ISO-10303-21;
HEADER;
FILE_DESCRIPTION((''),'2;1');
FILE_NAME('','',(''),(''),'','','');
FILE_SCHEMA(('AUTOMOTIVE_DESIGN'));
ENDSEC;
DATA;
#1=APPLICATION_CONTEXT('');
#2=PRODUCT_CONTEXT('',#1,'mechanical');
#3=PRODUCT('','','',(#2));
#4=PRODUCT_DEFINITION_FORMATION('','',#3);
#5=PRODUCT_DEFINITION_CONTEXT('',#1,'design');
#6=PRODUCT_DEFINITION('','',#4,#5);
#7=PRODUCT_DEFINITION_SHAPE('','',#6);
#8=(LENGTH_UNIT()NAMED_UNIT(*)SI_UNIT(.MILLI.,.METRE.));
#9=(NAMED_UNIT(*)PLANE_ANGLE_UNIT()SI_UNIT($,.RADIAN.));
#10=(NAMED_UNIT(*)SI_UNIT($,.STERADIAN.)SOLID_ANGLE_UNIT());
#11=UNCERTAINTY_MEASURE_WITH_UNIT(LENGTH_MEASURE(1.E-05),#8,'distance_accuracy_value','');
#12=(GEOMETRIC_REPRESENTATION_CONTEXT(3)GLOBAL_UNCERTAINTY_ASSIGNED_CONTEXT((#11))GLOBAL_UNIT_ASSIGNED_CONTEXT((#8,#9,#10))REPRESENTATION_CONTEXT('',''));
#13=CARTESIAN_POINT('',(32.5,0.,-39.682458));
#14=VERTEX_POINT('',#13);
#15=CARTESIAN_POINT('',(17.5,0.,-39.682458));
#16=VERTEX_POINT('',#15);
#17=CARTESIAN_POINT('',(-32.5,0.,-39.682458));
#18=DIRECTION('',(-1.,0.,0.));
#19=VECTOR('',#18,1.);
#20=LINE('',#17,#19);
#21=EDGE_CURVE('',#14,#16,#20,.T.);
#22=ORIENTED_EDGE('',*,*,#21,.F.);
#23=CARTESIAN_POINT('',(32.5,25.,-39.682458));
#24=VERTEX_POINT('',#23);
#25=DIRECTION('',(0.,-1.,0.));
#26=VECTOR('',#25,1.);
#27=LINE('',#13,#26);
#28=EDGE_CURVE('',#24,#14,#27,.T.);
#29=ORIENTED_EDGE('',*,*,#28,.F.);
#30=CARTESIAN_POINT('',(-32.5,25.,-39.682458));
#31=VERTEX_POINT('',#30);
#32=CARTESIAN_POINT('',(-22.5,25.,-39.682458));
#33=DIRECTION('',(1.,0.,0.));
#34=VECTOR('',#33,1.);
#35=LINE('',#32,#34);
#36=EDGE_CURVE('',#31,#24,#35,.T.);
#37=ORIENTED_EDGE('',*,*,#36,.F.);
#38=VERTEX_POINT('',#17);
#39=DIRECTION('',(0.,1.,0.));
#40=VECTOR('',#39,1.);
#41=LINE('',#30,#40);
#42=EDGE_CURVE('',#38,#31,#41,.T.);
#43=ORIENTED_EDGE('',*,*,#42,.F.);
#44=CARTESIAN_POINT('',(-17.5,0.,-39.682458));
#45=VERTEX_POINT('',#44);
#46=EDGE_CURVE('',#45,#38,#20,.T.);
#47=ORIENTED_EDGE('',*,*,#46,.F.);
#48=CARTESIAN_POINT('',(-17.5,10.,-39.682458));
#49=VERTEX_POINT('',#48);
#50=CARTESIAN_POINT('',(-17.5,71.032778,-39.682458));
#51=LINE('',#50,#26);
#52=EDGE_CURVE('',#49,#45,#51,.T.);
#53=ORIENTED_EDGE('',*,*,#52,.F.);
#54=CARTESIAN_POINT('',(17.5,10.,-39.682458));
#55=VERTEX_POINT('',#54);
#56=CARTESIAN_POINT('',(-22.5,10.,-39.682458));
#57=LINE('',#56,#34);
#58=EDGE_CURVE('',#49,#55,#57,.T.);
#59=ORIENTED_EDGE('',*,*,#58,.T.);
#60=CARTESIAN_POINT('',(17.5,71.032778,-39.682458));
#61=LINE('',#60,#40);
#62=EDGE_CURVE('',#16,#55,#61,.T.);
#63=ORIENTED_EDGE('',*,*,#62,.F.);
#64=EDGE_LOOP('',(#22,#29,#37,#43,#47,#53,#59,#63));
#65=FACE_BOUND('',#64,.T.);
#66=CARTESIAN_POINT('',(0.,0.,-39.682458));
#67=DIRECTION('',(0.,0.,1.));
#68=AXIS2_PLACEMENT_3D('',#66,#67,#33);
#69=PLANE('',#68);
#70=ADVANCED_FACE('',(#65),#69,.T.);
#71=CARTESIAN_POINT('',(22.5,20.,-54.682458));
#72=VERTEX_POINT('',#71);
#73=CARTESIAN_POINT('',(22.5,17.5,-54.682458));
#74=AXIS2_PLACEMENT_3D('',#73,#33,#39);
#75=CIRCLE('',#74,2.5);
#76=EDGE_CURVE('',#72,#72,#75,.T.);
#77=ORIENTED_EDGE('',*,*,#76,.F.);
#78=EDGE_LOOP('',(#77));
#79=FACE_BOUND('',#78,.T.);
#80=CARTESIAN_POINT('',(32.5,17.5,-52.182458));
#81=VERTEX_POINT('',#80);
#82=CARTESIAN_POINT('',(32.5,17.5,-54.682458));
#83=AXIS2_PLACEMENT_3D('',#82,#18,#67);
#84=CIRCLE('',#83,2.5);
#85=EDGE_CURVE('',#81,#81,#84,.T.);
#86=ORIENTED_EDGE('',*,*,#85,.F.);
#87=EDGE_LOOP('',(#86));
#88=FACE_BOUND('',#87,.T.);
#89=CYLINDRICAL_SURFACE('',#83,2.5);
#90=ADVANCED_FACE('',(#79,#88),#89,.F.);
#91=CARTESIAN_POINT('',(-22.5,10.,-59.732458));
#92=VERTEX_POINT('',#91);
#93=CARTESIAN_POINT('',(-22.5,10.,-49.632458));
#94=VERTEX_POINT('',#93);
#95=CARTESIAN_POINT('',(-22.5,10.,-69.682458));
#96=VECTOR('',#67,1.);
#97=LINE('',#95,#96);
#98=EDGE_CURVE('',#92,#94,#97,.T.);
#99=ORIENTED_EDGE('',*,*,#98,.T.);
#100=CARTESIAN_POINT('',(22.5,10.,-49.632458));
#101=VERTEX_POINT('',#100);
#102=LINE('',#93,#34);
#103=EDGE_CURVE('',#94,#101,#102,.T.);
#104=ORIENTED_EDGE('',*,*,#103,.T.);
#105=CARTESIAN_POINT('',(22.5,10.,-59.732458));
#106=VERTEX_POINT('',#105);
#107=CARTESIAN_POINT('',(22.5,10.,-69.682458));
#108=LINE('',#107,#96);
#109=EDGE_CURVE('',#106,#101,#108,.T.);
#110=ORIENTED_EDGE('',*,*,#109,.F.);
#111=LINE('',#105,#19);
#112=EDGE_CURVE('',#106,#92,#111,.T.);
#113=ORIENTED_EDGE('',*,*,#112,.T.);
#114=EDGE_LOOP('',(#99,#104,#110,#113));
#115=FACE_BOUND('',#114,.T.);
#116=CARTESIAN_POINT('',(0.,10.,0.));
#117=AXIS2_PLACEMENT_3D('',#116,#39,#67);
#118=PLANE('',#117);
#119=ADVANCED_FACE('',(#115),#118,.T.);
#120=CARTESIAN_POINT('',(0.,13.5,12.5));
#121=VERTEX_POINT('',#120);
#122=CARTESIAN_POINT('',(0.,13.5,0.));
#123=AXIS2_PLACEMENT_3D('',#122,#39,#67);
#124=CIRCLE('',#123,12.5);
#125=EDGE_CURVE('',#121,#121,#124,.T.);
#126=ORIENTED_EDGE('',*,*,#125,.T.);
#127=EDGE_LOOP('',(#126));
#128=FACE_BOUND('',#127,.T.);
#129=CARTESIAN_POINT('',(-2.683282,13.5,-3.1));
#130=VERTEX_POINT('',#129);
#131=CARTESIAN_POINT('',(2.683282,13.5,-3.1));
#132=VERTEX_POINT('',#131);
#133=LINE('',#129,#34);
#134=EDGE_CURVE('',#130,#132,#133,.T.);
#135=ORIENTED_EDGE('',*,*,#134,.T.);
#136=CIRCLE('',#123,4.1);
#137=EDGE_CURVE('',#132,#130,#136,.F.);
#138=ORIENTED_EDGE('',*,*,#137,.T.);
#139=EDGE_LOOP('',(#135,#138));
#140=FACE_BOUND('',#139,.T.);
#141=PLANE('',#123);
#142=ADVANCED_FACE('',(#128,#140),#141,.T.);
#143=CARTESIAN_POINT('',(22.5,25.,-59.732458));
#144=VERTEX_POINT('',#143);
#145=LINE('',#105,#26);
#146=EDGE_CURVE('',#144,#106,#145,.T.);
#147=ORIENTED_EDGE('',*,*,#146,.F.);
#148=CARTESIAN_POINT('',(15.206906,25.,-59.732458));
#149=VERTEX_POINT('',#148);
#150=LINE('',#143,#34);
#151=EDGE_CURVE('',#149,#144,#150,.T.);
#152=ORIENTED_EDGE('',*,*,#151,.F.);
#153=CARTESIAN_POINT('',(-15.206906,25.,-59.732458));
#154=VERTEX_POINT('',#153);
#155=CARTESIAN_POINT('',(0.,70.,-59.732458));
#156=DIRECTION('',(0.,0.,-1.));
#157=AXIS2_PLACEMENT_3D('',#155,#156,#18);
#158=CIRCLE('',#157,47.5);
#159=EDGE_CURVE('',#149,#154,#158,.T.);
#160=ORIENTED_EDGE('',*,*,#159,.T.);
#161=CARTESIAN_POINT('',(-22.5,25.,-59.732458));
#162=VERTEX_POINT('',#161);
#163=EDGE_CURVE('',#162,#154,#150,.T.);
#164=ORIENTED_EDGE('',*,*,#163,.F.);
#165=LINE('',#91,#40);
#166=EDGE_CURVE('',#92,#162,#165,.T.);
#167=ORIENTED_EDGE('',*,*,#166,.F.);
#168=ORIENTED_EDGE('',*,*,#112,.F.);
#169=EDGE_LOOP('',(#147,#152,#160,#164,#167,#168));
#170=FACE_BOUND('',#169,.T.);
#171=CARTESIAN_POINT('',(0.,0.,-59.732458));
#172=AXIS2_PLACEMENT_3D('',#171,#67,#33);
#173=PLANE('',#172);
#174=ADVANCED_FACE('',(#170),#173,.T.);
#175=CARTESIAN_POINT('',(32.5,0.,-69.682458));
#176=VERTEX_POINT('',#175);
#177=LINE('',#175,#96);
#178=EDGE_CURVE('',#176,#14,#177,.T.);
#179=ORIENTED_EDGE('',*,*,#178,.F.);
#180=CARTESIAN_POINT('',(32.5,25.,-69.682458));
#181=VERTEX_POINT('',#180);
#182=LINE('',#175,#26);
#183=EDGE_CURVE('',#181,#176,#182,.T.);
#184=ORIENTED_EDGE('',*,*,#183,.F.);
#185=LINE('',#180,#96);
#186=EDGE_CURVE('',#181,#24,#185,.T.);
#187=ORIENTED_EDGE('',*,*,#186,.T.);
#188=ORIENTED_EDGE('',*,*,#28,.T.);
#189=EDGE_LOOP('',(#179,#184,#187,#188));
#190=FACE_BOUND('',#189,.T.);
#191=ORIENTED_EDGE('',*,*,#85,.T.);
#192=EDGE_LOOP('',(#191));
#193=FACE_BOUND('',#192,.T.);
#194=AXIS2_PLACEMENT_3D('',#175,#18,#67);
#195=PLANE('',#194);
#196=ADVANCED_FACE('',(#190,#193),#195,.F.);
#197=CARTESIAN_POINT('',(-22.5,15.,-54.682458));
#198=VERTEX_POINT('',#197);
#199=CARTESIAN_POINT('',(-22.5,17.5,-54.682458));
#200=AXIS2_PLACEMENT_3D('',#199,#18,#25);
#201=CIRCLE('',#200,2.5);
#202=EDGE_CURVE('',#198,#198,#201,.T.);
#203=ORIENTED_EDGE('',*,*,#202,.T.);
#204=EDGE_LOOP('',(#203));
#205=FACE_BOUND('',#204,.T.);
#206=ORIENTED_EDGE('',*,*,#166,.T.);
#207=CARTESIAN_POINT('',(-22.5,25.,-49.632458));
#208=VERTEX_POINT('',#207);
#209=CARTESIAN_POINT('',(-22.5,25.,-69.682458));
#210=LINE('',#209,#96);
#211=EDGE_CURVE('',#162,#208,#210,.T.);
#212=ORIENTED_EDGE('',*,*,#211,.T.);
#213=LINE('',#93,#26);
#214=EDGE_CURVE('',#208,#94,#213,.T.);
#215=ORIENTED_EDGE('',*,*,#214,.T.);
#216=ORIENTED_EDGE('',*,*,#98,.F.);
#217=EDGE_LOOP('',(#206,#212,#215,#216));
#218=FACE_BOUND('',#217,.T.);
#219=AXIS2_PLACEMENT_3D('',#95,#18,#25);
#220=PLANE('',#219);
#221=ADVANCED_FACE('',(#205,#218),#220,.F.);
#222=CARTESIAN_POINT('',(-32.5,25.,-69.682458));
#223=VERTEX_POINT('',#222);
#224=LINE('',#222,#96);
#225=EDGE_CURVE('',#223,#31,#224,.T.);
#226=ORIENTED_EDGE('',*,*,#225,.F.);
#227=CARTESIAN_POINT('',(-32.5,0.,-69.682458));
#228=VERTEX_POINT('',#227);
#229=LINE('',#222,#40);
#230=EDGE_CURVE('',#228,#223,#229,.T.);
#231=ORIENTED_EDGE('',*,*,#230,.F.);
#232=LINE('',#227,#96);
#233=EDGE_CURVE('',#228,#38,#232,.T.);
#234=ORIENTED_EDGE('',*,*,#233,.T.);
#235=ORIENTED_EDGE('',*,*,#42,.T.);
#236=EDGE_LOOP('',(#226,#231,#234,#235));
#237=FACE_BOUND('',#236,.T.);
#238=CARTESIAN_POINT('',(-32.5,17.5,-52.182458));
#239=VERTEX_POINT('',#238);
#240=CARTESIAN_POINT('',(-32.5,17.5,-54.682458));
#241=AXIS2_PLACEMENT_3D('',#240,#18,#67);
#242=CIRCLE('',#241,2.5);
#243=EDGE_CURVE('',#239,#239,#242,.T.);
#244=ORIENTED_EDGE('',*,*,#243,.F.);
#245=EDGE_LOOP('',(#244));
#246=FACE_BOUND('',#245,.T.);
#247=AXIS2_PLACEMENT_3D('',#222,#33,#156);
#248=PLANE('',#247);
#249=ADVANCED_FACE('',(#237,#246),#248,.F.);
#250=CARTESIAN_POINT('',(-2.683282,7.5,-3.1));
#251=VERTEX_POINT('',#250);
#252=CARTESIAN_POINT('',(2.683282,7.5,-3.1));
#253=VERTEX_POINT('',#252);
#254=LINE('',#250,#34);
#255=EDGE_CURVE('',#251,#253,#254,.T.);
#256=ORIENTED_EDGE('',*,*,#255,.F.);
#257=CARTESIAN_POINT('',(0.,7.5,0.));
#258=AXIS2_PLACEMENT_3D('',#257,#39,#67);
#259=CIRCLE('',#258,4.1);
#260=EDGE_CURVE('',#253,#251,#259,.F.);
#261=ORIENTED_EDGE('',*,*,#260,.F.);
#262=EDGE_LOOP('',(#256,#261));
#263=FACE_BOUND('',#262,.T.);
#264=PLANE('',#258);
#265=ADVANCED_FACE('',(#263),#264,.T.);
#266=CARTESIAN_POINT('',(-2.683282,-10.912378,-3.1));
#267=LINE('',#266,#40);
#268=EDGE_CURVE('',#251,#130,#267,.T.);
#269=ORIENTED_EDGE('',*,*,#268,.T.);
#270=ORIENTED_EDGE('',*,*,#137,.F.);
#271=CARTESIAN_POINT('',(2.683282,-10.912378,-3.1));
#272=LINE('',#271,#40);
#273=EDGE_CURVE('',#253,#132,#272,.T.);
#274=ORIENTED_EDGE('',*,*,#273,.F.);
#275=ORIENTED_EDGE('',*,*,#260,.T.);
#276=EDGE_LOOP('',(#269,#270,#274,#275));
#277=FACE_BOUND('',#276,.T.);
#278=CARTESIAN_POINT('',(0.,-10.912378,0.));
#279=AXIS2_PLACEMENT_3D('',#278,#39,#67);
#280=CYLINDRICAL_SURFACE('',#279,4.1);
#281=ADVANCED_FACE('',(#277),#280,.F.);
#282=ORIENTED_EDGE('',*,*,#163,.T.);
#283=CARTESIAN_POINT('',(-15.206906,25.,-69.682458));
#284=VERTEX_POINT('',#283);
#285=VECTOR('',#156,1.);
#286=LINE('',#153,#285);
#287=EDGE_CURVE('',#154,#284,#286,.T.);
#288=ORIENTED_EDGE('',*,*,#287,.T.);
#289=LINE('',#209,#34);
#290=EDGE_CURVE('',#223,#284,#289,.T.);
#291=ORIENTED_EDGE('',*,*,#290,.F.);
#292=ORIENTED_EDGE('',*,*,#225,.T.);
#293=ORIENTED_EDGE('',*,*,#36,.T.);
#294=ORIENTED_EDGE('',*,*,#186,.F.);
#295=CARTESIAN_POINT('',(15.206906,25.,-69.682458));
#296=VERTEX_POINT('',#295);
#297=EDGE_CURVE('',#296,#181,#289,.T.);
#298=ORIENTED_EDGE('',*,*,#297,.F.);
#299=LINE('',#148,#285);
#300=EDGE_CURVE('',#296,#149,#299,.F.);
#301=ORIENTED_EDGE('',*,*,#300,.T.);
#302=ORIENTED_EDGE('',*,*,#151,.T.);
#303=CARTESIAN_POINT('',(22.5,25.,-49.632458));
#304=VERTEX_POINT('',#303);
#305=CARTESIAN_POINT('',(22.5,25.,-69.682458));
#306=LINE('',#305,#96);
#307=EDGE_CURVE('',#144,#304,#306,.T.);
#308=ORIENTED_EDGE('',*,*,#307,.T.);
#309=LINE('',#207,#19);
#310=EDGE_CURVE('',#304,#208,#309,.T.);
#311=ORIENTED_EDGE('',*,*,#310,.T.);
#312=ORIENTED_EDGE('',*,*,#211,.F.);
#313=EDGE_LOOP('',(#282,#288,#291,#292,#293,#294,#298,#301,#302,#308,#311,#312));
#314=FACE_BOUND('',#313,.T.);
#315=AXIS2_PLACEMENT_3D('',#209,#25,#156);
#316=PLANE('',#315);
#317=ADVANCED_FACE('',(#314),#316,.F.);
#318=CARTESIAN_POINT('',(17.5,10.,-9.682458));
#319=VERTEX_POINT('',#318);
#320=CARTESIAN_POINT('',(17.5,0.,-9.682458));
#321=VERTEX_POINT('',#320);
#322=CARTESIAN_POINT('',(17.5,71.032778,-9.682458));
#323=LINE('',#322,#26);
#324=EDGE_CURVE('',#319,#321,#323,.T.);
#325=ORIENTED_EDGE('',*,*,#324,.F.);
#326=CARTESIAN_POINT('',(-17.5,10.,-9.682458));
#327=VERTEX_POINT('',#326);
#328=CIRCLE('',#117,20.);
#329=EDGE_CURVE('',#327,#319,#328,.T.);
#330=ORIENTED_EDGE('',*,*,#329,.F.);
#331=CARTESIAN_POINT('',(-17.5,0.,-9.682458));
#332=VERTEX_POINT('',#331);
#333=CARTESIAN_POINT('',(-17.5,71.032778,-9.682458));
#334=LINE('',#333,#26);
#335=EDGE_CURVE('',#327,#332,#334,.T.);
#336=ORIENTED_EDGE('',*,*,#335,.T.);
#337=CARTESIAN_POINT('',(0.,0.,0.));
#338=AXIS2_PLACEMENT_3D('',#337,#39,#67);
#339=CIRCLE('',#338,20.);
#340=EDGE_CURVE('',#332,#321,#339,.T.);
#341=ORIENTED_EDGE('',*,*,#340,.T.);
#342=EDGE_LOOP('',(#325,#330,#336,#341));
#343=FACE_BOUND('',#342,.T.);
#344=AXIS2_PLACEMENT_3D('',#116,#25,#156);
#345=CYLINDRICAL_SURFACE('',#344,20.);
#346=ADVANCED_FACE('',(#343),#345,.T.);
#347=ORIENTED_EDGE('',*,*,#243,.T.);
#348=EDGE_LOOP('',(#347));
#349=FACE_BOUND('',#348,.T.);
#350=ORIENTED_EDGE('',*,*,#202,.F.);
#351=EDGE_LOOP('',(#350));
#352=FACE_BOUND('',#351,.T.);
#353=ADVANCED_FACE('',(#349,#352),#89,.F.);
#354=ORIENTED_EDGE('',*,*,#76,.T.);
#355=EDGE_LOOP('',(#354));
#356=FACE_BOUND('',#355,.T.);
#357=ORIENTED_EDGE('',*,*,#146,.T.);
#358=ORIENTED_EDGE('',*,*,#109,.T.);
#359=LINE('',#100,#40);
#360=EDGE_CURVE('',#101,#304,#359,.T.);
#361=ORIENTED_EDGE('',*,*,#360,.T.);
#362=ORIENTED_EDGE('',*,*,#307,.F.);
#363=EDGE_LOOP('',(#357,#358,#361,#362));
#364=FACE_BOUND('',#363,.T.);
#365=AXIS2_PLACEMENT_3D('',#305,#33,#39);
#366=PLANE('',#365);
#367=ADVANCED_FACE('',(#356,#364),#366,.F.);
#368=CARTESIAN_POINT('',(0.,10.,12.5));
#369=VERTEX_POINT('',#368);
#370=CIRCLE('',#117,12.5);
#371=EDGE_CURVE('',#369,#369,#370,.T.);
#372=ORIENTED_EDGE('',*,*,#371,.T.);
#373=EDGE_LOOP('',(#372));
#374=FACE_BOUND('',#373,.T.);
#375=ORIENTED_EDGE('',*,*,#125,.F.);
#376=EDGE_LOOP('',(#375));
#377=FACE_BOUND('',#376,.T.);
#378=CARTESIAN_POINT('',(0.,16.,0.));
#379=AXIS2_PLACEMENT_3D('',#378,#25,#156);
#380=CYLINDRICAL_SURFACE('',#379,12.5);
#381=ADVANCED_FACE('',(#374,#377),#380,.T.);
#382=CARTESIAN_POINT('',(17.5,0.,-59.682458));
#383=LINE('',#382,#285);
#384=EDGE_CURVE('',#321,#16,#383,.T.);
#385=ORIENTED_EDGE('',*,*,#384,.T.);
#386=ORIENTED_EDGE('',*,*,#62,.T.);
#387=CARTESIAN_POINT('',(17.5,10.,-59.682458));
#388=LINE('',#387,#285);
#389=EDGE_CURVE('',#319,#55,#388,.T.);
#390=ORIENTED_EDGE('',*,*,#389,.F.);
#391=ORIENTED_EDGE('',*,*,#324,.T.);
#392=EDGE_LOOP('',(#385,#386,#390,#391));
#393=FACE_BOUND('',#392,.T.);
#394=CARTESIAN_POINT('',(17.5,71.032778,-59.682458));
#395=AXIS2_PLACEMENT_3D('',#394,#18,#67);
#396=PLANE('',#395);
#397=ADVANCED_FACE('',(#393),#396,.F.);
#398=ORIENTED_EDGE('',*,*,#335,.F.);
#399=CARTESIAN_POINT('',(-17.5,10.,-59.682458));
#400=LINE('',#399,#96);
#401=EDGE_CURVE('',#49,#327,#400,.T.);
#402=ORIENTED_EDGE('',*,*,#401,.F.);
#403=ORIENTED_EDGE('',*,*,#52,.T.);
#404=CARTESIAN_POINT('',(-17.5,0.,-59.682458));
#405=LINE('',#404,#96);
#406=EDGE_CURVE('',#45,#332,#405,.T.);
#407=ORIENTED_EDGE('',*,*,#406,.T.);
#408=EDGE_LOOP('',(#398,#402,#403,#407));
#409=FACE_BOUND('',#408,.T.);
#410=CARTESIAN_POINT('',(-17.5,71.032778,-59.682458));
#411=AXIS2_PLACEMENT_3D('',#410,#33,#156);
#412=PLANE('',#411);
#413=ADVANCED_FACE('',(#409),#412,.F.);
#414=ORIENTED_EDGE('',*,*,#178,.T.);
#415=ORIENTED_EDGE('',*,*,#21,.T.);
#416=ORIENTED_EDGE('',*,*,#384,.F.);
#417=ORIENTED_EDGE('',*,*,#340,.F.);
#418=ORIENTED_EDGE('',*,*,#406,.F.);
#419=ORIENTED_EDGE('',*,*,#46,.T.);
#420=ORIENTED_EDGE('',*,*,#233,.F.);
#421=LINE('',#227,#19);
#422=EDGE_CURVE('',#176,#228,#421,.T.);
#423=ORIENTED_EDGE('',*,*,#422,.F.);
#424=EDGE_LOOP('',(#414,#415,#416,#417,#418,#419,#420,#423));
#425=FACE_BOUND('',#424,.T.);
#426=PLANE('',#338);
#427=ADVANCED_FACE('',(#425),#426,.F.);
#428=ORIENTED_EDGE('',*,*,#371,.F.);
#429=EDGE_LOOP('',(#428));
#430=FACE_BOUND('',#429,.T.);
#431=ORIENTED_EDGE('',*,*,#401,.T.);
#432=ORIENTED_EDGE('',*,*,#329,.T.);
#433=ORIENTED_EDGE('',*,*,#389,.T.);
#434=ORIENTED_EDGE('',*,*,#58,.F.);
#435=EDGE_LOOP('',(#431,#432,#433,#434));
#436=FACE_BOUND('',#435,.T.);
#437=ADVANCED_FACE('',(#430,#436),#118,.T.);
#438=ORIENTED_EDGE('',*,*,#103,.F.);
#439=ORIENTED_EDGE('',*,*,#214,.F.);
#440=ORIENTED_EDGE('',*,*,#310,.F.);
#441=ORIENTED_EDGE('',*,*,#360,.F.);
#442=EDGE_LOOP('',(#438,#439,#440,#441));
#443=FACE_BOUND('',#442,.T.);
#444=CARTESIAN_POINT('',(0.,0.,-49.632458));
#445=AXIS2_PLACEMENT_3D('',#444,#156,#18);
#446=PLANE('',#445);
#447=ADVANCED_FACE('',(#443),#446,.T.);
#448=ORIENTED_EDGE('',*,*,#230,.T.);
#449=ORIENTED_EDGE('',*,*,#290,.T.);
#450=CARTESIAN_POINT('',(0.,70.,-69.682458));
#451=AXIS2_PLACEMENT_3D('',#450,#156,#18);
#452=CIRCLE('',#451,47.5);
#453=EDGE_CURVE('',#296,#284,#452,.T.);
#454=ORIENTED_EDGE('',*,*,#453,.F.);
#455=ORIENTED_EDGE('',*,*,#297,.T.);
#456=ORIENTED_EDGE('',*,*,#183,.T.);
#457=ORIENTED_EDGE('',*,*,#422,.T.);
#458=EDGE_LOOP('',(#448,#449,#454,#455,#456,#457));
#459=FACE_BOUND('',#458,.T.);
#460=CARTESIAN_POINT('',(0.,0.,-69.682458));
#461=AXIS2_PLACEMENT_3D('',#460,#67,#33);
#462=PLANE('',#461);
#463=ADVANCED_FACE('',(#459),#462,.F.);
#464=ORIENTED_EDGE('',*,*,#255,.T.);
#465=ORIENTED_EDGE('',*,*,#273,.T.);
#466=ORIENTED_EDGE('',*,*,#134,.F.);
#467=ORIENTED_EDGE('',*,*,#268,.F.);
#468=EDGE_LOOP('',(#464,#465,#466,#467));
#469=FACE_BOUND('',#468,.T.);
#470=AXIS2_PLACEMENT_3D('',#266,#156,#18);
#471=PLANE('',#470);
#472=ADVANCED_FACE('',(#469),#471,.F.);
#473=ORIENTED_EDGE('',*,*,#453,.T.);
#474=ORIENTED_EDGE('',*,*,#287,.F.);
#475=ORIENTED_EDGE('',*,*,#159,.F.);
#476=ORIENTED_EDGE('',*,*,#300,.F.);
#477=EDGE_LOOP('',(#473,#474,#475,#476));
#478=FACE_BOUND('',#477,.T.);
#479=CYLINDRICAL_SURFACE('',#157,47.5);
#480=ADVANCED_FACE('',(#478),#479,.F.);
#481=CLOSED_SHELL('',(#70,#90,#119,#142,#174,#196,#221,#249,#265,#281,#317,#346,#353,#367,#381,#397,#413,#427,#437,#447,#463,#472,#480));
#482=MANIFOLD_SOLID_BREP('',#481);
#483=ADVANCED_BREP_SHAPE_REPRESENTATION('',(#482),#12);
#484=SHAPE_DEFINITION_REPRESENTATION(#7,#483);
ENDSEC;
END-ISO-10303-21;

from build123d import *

# Parameters (mm, degrees)
SKETCH1_R                = 20
BOSS_EXTRUDE1_DEPTH      = 10
CUT_EXTRUDE1_DEPTH       = 2.5
BOSS_EXTRUDE2_DEPTH      = 10
BOSS_EXTRUDE3_START      = 6
SKETCH6_R                = 12.5
BOSS_EXTRUDE3_DEPTH      = 6
BOSS_EXTRUDE4_DEPTH      = 10
BOSS_EXTRUDE4_DEPTH_BACK = 20
SKETCH8_R                = 2.5
CUT_EXTRUDE2_DEPTH       = 99.517232015
SKETCH9_R                = 12.5
CUT_EXTRUDE3_DEPTH       = 2.5
SKETCH10_W               = 45
SKETCH10_H               = 15
BOSS_EXTRUDE5_DEPTH      = 9.95
SKETCH11_W               = 45
SKETCH11_H               = 15
BOSS_EXTRUDE6_DEPTH      = 9.95
SKETCH12_R               = 47.5
CUT_EXTRUDE5_DEPTH       = 9.95


with BuildPart() as part:
    # Sketch1 → Boss-Extrude1 (new body)
    with BuildSketch(Plane(origin=(0, 0, 0), x_dir=(1, 0, 0), z_dir=(0, 1, 0))):
        with Locations(Location((0, 0, 0), (0, 0, 270))):
            Circle(SKETCH1_R)
    extrude(amount=BOSS_EXTRUDE1_DEPTH)

    # Sketch2 → Cut-Extrude1 (cut)
    with BuildSketch(Plane(origin=(0, 10, 0), x_dir=(1, 0, 0), z_dir=(0, 1, 0))):
        with BuildLine():
            Line((-2.683281573, 3.1), (2.683281573, 3.1))
            ThreePointArc((2.683281573, 3.1), (0, -4.1), (-2.683281573, 3.1))
        make_face()
    extrude(amount=-CUT_EXTRUDE1_DEPTH, mode=Mode.SUBTRACT)

    # Sketch3 → Boss-Extrude2 (add)
    with BuildSketch(Plane(origin=(0, 0, 0), x_dir=(1, 0, 0), z_dir=(0, 1, 0))):
        with BuildLine():
            Line((-17.5, 59.682458366), (-17.5, 9.682458366))
            ThreePointArc((-17.5, 9.682458366), (0, 20), (17.5, 9.682458366))
            Line((17.5, 9.682458366), (17.5, 59.682458366))
            Line((17.5, 59.682458366), (-17.5, 59.682458366))
        make_face()
    extrude(amount=BOSS_EXTRUDE2_DEPTH)

    # Sketch6 → Boss-Extrude3 (add)
    with BuildSketch(Plane(origin=(0, 10, 0), x_dir=(1, 0, 0), z_dir=(0, 1, 0)).offset(BOSS_EXTRUDE3_START)):
        with Locations(Location((0, 0, 0), (0, 0, 270))):
            Circle(SKETCH6_R)
        with BuildLine():
            Line((-2.683281573, 3.1), (2.683281573, 3.1))
            ThreePointArc((2.683281573, 3.1), (0, -4.1), (-2.683281573, 3.1))
        make_face(mode=Mode.SUBTRACT)
    extrude(amount=-BOSS_EXTRUDE3_DEPTH)

    # Sketch7 → Boss-Extrude4 (add, two sides: drawn at the far end of the back side and taken through both)
    with BuildSketch(Plane(origin=(0, 0, -59.682458366), x_dir=(-1, 0, 0), z_dir=(0, 0, -1)).offset(-BOSS_EXTRUDE4_DEPTH_BACK)):
        Polygon((-32.5, 0), (-32.5, 25), (-22.5, 25), (-22.5, 10), (22.5, 10), (22.5, 25), (32.5, 25), (32.5, 0), align=None)
    extrude(amount=BOSS_EXTRUDE4_DEPTH + BOSS_EXTRUDE4_DEPTH_BACK)

    # Sketch8 → Cut-Extrude2 (cut, through all)
    with BuildSketch(Plane.ZY.offset(32.5)):
        with Locations((-54.682458366, 17.5)):
            Circle(SKETCH8_R)
    extrude(amount=-CUT_EXTRUDE2_DEPTH, mode=Mode.SUBTRACT)

    # Sketch9 → Cut-Extrude3 (cut)
    with BuildSketch(Plane(origin=(0, 16, 0), x_dir=(1, 0, 0), z_dir=(0, 1, 0))):
        with Locations(Location((0, 0, 0), (0, 0, 270))):
            Circle(SKETCH9_R)
    extrude(amount=-CUT_EXTRUDE3_DEPTH, mode=Mode.SUBTRACT)

    # Sketch10 → Boss-Extrude5 (add)
    with BuildSketch(Plane(origin=(0, 0, -69.682458366), x_dir=(-1, 0, 0), z_dir=(0, 0, -1))):
        with Locations((0, 17.5)):
            Rectangle(SKETCH10_W, SKETCH10_H)
    extrude(amount=-BOSS_EXTRUDE5_DEPTH)

    # Sketch11 → Boss-Extrude6 (add)
    with BuildSketch(Plane.XY.offset(-39.682458366)):
        with Locations((0, 17.5)):
            Rectangle(SKETCH11_W, SKETCH11_H)
    extrude(amount=-BOSS_EXTRUDE6_DEPTH)

    # Sketch12 → Cut-Extrude5 (cut)
    with BuildSketch(Plane(origin=(0, 0, -69.682458366), x_dir=(-1, 0, 0), z_dir=(0, 0, -1))):
        with Locations((0, 70)):
            Circle(SKETCH12_R)
    extrude(amount=-CUT_EXTRUDE5_DEPTH, mode=Mode.SUBTRACT)


solid = part.part
